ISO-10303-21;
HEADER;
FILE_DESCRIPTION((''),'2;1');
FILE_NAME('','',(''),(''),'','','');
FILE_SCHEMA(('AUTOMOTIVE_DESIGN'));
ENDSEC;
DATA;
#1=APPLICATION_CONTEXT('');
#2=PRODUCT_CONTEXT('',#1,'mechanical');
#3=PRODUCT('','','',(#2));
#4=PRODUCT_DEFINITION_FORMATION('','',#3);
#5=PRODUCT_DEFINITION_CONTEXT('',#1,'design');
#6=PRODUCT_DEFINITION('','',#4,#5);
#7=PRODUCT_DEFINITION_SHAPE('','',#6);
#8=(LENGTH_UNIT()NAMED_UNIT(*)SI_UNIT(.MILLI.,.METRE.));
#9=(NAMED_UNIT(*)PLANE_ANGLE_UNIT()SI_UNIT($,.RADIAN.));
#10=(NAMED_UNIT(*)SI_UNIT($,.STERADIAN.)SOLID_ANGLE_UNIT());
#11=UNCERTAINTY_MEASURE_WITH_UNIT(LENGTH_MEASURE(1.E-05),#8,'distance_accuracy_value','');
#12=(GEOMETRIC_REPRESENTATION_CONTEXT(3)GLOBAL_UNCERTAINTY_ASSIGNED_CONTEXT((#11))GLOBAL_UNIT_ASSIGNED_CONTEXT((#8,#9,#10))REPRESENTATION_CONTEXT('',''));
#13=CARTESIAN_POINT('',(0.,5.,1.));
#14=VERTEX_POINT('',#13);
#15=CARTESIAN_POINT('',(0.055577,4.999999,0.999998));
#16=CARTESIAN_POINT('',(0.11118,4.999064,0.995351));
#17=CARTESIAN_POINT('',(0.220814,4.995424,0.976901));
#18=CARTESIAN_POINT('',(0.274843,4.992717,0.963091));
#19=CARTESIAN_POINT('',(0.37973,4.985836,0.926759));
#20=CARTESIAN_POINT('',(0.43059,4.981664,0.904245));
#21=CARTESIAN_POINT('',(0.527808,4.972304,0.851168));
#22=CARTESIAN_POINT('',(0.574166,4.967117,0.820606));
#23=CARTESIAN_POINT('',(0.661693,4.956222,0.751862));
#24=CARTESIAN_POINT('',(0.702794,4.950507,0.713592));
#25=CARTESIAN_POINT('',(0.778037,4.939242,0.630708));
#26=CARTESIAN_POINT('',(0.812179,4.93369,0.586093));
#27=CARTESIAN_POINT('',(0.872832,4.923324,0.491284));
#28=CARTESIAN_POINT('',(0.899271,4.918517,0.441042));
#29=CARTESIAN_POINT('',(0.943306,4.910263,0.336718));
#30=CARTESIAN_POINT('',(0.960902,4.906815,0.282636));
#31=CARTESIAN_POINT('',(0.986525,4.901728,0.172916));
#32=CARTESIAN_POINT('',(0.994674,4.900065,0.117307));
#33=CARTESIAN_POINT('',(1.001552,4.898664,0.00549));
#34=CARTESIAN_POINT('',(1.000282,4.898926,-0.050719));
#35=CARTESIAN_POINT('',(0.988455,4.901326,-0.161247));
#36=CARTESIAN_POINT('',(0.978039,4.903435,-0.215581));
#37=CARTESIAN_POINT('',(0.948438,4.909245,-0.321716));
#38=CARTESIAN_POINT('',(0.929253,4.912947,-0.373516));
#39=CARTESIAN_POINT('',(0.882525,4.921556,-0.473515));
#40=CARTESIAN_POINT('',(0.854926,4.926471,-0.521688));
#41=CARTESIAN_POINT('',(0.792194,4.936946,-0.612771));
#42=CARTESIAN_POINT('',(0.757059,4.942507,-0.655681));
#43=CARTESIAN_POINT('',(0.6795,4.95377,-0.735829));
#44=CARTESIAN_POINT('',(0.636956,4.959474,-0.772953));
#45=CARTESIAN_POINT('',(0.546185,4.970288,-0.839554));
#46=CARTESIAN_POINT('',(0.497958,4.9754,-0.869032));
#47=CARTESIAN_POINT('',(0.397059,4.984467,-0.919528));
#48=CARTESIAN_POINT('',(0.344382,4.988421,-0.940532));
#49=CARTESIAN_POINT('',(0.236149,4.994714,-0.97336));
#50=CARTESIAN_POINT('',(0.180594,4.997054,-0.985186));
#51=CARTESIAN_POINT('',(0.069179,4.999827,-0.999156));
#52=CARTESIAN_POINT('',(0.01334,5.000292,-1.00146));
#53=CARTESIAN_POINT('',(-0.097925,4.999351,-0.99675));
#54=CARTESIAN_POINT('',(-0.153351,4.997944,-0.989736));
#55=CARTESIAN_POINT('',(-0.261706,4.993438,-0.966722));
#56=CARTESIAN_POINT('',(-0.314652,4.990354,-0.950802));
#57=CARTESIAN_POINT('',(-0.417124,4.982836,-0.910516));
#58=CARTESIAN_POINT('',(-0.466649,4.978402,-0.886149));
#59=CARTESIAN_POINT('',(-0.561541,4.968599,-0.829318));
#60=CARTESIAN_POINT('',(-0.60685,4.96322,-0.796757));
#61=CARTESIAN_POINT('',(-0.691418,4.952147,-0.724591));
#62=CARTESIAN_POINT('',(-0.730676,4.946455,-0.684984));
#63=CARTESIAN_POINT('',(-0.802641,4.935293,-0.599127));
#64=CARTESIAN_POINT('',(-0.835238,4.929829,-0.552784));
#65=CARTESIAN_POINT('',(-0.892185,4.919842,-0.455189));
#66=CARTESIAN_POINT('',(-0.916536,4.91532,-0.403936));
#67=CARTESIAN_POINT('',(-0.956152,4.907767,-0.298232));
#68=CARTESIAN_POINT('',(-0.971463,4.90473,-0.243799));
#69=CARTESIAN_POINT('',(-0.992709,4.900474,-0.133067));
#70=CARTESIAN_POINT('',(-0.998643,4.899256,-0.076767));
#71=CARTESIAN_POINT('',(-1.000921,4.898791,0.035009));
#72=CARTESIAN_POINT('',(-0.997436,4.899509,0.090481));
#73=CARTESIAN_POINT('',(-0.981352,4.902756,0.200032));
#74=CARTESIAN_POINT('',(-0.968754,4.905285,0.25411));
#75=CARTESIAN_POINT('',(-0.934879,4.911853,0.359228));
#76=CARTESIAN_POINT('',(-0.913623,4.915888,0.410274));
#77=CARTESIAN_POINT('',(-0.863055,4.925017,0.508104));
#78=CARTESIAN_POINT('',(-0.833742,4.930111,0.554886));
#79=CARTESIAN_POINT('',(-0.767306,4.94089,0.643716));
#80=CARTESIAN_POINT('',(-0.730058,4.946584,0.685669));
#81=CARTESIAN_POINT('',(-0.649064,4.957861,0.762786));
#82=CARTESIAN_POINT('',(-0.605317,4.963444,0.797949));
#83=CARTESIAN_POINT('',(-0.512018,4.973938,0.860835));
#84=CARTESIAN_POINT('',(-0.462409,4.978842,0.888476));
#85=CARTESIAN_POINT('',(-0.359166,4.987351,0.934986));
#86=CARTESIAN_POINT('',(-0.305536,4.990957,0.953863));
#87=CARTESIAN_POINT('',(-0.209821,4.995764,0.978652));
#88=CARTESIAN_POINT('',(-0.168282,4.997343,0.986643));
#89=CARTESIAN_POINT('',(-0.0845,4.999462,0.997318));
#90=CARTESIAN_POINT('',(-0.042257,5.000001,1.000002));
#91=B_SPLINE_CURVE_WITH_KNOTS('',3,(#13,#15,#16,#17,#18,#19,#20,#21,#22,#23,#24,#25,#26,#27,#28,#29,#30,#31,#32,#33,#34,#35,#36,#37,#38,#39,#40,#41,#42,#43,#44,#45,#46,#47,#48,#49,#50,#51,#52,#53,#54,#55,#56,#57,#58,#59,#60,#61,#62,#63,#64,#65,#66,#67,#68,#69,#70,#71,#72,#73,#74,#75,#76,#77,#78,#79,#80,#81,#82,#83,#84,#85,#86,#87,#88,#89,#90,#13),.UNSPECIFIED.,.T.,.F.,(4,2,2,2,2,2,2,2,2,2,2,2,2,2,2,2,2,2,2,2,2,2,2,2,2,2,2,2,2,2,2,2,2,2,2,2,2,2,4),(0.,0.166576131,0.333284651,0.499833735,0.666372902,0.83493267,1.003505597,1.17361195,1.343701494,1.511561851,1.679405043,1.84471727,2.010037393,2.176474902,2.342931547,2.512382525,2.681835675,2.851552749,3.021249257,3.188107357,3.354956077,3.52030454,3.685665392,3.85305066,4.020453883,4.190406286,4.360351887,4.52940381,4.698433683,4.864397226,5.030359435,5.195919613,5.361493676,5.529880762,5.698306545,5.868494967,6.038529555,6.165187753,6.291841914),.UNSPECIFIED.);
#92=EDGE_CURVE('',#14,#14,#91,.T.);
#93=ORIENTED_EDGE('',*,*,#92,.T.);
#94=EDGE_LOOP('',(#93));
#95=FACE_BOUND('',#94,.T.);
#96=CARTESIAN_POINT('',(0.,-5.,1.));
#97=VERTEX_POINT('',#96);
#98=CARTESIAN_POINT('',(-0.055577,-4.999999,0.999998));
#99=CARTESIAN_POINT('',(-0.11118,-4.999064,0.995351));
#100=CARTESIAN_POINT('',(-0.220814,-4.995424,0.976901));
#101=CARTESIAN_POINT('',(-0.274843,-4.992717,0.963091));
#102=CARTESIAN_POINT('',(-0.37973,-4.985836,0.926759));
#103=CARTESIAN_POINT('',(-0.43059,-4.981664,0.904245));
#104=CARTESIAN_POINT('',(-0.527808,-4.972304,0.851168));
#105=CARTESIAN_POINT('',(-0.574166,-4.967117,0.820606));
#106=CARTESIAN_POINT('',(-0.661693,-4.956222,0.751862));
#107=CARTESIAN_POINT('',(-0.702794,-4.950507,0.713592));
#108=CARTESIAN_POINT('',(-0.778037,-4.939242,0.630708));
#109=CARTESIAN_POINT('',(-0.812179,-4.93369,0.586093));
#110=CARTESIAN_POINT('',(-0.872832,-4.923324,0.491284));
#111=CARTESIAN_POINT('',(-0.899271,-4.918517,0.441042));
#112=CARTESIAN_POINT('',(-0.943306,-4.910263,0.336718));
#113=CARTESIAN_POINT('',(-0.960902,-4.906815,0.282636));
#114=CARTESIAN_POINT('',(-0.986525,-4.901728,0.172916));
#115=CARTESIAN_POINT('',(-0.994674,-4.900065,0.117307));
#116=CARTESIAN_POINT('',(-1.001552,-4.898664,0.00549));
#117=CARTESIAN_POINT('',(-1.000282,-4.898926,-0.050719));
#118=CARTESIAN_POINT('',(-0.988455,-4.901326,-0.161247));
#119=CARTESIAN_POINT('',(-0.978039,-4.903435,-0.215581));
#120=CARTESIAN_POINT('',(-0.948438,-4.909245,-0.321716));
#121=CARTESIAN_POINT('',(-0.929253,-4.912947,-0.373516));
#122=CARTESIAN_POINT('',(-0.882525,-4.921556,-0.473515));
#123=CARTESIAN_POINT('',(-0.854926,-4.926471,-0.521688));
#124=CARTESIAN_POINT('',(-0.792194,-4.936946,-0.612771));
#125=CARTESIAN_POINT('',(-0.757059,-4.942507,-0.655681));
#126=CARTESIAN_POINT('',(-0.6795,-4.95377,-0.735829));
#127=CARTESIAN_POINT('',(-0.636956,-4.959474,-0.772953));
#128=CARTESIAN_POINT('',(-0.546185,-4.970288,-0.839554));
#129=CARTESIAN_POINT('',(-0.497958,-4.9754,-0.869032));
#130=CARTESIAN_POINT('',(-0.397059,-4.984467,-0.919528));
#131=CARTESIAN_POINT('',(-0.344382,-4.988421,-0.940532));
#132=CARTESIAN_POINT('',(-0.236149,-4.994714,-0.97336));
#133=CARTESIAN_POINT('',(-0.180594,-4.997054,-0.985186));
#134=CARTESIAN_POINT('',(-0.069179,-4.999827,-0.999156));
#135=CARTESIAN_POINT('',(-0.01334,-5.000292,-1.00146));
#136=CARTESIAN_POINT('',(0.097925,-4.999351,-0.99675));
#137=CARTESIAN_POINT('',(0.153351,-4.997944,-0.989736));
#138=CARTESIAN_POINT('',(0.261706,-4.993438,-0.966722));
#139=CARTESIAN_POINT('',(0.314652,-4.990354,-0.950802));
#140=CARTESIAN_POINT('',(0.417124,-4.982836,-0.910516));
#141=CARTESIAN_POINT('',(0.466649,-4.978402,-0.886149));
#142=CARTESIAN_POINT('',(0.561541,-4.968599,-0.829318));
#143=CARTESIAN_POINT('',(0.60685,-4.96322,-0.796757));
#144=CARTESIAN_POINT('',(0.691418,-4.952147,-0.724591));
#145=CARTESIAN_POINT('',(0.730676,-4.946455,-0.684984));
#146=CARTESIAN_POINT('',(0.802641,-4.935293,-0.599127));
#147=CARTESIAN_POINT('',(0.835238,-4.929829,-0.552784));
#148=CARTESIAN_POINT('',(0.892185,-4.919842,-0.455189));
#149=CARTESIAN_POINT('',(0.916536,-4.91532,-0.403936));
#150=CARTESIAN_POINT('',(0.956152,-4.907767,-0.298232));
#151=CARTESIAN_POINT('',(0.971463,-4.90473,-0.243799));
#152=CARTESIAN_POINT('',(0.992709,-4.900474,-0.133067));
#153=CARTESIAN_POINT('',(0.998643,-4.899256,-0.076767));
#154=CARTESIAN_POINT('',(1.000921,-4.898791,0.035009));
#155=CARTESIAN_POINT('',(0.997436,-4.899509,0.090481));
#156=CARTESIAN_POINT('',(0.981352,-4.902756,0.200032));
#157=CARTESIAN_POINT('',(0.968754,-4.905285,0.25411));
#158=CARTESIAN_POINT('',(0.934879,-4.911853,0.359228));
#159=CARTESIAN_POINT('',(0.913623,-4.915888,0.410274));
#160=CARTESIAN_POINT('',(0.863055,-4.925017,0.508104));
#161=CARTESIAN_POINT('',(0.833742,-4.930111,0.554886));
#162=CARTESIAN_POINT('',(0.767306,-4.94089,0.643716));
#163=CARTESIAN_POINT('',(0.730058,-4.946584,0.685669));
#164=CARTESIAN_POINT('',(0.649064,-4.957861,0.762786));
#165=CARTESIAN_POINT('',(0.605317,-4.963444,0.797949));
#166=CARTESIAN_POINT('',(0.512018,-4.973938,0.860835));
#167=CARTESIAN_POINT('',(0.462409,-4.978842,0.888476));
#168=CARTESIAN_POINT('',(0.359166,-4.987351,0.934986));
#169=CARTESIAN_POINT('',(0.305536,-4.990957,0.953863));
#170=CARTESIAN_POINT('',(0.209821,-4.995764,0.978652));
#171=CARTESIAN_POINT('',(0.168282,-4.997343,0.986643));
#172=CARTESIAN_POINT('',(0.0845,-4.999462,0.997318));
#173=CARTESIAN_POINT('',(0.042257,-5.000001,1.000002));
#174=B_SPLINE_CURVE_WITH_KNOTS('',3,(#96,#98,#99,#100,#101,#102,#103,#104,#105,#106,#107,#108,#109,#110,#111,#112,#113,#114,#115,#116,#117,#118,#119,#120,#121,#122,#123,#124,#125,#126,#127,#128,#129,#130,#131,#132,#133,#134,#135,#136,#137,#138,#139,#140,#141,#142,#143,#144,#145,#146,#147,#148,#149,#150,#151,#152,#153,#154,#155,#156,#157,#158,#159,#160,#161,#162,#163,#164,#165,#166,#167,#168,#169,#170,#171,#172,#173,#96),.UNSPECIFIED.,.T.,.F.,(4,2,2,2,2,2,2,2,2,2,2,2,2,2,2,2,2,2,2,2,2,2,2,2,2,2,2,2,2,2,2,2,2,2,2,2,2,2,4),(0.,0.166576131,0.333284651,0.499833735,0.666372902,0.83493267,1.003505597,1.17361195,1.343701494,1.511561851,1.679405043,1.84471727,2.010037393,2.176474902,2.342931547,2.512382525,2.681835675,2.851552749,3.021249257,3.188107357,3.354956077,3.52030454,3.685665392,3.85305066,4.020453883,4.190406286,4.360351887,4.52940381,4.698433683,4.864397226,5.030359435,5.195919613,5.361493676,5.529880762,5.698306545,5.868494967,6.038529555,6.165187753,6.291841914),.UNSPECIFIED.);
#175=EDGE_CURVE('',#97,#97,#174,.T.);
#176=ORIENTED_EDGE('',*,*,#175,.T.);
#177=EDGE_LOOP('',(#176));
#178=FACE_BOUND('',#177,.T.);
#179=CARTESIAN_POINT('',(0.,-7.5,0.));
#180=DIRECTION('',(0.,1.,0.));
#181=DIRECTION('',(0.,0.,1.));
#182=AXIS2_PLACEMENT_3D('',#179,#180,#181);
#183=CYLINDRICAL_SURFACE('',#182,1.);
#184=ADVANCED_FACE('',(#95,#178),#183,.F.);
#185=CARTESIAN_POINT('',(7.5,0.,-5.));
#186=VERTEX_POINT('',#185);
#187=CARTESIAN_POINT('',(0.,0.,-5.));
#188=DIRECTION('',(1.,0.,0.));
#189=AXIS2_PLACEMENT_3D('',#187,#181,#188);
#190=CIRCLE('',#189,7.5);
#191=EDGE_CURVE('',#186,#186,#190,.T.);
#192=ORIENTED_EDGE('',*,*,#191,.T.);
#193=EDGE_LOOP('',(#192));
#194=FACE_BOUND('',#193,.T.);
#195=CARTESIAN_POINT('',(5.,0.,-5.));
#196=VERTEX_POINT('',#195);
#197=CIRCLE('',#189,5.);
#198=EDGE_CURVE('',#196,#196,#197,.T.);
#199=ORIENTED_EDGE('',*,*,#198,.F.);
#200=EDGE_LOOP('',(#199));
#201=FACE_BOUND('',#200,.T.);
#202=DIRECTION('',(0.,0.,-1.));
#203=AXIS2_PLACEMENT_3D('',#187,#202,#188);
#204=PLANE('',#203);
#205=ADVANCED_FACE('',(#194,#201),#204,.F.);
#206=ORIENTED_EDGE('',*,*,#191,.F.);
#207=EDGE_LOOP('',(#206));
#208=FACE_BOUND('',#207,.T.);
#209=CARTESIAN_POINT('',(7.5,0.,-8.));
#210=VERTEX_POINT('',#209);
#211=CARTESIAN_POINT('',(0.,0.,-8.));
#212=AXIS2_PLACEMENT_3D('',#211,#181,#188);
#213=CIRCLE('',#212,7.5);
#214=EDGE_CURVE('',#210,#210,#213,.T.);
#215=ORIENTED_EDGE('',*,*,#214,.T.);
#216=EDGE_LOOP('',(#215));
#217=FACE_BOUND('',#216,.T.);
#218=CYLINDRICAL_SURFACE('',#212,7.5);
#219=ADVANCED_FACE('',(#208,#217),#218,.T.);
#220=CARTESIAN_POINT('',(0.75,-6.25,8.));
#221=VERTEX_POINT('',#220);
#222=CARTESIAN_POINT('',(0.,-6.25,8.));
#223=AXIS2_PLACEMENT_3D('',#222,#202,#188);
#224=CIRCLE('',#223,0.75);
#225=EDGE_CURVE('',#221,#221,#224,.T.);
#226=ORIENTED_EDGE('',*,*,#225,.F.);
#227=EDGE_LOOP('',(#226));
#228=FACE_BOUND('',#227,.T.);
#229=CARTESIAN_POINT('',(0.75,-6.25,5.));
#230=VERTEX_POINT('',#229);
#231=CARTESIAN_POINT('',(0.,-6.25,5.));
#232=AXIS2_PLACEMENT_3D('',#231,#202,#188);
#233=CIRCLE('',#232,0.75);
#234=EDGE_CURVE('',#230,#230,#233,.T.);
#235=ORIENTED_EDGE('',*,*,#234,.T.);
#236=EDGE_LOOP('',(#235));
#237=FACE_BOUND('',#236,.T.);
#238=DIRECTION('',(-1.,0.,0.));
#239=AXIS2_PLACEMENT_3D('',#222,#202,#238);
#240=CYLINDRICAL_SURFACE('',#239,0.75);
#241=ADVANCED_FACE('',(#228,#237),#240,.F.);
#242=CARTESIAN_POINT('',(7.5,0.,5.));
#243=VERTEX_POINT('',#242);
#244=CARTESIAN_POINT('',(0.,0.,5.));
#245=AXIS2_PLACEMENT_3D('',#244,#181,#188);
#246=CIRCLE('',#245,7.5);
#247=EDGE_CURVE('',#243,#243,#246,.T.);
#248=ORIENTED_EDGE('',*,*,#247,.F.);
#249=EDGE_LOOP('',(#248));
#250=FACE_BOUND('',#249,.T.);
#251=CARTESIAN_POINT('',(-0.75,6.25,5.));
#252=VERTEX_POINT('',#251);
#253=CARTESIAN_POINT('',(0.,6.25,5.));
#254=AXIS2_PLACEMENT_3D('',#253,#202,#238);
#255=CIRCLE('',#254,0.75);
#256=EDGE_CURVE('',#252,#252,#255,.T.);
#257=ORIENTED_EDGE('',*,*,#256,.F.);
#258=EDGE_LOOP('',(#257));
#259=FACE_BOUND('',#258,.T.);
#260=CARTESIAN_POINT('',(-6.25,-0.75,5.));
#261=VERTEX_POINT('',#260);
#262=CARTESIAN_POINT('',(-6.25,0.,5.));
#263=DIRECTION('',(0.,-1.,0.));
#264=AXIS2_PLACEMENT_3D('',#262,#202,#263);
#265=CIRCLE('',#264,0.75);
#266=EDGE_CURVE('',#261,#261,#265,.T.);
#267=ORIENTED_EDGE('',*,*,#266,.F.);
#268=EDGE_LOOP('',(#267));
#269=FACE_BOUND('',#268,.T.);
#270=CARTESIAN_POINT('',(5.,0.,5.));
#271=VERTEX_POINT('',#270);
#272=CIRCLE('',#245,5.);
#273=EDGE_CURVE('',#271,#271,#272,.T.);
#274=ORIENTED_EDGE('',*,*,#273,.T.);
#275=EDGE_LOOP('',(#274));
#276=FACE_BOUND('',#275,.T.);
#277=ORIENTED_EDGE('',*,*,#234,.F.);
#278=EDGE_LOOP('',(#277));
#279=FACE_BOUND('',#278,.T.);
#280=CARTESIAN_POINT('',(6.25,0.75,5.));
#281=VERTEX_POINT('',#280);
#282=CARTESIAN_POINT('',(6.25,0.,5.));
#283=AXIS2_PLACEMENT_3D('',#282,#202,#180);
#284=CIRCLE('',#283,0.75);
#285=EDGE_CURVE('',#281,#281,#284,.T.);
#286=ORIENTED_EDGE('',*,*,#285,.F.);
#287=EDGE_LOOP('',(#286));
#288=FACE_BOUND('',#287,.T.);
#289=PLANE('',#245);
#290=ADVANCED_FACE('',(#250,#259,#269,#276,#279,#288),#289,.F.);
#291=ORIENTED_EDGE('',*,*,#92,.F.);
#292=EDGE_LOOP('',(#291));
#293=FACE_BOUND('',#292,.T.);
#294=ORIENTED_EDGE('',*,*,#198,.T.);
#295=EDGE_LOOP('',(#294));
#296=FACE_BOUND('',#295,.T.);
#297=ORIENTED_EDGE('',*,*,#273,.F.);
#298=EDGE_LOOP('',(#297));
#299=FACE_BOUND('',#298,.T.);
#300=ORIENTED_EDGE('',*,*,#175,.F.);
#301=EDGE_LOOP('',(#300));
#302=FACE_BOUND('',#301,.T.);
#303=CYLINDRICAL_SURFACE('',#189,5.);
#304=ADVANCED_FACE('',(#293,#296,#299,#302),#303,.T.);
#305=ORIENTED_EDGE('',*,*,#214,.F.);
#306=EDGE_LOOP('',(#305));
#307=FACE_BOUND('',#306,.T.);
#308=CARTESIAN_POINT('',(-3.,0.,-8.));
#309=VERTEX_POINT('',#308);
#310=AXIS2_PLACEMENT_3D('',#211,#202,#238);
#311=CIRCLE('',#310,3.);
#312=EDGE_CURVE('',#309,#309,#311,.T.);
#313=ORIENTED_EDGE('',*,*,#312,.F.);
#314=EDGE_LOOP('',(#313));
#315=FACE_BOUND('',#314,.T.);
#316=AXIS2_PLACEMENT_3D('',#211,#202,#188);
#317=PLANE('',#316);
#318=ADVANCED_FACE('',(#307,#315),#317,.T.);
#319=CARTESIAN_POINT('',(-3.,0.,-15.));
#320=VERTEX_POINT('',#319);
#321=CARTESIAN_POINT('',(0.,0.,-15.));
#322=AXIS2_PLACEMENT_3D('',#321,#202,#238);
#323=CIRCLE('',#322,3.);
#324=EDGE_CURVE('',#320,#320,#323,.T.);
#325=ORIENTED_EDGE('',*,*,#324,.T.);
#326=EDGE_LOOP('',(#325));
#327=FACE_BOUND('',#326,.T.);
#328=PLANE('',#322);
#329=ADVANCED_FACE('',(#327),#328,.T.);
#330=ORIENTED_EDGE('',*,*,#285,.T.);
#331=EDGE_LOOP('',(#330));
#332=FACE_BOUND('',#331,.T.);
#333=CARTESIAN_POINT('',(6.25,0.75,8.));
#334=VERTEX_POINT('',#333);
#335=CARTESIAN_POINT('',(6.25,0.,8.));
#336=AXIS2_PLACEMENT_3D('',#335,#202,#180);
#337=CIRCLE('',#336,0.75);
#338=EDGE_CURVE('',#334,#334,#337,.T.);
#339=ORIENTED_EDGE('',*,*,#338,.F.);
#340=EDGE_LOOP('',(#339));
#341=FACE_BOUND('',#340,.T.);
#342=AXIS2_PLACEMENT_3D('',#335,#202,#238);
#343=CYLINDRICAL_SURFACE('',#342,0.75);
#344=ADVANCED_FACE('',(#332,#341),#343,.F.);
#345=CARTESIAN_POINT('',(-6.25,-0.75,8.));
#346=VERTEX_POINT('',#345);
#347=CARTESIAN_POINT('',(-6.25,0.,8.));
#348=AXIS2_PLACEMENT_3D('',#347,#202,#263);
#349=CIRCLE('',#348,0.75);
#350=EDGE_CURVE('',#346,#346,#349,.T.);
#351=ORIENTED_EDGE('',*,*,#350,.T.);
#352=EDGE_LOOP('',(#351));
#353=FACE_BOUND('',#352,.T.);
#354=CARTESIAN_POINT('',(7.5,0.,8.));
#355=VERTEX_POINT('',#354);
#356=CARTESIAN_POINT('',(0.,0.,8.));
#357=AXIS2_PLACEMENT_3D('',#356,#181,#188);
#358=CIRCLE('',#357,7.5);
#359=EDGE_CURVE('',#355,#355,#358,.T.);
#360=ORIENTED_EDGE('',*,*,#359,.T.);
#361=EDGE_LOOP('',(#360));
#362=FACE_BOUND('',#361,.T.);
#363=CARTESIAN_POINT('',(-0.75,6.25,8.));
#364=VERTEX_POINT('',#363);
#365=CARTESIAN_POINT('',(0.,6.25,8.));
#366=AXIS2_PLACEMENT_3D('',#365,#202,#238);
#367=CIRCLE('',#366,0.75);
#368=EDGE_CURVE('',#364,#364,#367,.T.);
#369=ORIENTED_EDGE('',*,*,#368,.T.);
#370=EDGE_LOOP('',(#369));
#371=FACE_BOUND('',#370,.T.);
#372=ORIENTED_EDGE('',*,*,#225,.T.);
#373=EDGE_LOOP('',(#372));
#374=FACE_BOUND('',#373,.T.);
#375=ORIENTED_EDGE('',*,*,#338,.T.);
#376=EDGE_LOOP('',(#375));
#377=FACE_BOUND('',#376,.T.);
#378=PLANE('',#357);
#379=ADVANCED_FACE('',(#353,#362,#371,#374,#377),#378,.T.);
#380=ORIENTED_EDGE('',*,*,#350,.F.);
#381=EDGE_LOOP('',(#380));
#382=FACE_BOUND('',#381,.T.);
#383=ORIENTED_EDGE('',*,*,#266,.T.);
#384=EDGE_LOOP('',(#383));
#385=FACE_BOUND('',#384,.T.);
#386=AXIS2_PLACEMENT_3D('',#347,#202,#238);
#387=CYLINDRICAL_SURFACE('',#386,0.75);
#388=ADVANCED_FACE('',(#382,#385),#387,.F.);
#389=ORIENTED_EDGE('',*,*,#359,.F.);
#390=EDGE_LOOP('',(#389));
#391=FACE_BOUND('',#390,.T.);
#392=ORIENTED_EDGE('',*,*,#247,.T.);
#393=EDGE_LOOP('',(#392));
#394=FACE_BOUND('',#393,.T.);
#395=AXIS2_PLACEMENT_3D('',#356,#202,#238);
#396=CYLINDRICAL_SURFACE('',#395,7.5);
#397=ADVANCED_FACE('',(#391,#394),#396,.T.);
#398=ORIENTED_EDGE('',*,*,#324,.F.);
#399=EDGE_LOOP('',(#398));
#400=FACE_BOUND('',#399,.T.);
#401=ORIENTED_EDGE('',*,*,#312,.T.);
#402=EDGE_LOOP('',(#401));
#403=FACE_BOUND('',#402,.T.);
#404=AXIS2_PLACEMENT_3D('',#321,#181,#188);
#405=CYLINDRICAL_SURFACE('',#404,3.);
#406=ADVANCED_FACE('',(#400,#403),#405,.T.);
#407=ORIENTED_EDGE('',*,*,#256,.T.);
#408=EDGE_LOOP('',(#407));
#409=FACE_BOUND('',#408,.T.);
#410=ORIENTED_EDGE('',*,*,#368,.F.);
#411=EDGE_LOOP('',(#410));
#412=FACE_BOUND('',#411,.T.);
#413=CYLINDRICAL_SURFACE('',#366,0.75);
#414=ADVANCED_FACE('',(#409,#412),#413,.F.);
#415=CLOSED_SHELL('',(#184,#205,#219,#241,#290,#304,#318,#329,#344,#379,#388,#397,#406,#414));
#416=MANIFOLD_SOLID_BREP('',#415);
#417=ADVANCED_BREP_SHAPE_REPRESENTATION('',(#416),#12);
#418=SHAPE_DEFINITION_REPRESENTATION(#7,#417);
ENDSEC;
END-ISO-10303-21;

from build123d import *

# Parameters (mm, degrees)
BOSS_EXTRUDE1_DEPTH      = 5
BOSS_EXTRUDE1_DEPTH_BACK = 5
SKETCH1_R                = 5
SKETCH3_R                = 7.5
BOSS_EXTRUDE2_DEPTH      = 3
SKETCH4_R                = 1
CUT_EXTRUDE1_DEPTH       = 17.628289148
SKETCH5_R                = 0.75
CUT_EXTRUDE2_DEPTH       = 17.777961736
CIRPATTERN1_COUNT        = 4
SKETCH6_R                = 3
BOSS_EXTRUDE3_DEPTH      = 7


with BuildPart() as part:
    # Sketch1 → Boss-Extrude1 (new, two sides: drawn at the far end of the back side and taken through both)
    with BuildSketch(Plane.XY.offset(-BOSS_EXTRUDE1_DEPTH_BACK)):
        Circle(SKETCH1_R)
    extrude(amount=BOSS_EXTRUDE1_DEPTH + BOSS_EXTRUDE1_DEPTH_BACK)

    # Sketch3 → Boss-Extrude2 (add)
    with BuildSketch(Plane.XY.offset(5)):
        Circle(SKETCH3_R)
    boss_extrude2 = extrude(amount=BOSS_EXTRUDE2_DEPTH)

    # Mirror1: Boss-Extrude2 across plane
    add(boss_extrude2.mirror(Plane.XY))

    # Sketch4 → Cut-Extrude1 (cut, through all)
    with BuildSketch(Plane(origin=(0, 5, 0), x_dir=(1, 0, 0), z_dir=(0, 1, 0))):
        Circle(SKETCH4_R)
    extrude(amount=-CUT_EXTRUDE1_DEPTH, mode=Mode.SUBTRACT)

    # Sketch5 → Cut-Extrude2 (cut, through all)
    with BuildSketch(Plane(origin=(0, 0, 5), x_dir=(-1, 0, 0), z_dir=(0, 0, -1))):
        with Locations((0, 6.25)):
            Circle(SKETCH5_R)
    cut_extrude2 = extrude(amount=-CUT_EXTRUDE2_DEPTH, mode=Mode.SUBTRACT)

    # CirPattern1: Cut-Extrude2 ×4 about axis
    cirpattern1_axis = Axis((0, 0, -5), (0, 0, 1))
    for i in range(1, CIRPATTERN1_COUNT):
        add(cut_extrude2.rotate(cirpattern1_axis, i * 360 / CIRPATTERN1_COUNT), mode=Mode.SUBTRACT)

    # Sketch6 → Boss-Extrude3 (add)
    with BuildSketch(Plane(origin=(0, 0, -8), x_dir=(-1, 0, 0), z_dir=(0, 0, -1))):
        Circle(SKETCH6_R)
    extrude(amount=BOSS_EXTRUDE3_DEPTH)


solid = part.part
